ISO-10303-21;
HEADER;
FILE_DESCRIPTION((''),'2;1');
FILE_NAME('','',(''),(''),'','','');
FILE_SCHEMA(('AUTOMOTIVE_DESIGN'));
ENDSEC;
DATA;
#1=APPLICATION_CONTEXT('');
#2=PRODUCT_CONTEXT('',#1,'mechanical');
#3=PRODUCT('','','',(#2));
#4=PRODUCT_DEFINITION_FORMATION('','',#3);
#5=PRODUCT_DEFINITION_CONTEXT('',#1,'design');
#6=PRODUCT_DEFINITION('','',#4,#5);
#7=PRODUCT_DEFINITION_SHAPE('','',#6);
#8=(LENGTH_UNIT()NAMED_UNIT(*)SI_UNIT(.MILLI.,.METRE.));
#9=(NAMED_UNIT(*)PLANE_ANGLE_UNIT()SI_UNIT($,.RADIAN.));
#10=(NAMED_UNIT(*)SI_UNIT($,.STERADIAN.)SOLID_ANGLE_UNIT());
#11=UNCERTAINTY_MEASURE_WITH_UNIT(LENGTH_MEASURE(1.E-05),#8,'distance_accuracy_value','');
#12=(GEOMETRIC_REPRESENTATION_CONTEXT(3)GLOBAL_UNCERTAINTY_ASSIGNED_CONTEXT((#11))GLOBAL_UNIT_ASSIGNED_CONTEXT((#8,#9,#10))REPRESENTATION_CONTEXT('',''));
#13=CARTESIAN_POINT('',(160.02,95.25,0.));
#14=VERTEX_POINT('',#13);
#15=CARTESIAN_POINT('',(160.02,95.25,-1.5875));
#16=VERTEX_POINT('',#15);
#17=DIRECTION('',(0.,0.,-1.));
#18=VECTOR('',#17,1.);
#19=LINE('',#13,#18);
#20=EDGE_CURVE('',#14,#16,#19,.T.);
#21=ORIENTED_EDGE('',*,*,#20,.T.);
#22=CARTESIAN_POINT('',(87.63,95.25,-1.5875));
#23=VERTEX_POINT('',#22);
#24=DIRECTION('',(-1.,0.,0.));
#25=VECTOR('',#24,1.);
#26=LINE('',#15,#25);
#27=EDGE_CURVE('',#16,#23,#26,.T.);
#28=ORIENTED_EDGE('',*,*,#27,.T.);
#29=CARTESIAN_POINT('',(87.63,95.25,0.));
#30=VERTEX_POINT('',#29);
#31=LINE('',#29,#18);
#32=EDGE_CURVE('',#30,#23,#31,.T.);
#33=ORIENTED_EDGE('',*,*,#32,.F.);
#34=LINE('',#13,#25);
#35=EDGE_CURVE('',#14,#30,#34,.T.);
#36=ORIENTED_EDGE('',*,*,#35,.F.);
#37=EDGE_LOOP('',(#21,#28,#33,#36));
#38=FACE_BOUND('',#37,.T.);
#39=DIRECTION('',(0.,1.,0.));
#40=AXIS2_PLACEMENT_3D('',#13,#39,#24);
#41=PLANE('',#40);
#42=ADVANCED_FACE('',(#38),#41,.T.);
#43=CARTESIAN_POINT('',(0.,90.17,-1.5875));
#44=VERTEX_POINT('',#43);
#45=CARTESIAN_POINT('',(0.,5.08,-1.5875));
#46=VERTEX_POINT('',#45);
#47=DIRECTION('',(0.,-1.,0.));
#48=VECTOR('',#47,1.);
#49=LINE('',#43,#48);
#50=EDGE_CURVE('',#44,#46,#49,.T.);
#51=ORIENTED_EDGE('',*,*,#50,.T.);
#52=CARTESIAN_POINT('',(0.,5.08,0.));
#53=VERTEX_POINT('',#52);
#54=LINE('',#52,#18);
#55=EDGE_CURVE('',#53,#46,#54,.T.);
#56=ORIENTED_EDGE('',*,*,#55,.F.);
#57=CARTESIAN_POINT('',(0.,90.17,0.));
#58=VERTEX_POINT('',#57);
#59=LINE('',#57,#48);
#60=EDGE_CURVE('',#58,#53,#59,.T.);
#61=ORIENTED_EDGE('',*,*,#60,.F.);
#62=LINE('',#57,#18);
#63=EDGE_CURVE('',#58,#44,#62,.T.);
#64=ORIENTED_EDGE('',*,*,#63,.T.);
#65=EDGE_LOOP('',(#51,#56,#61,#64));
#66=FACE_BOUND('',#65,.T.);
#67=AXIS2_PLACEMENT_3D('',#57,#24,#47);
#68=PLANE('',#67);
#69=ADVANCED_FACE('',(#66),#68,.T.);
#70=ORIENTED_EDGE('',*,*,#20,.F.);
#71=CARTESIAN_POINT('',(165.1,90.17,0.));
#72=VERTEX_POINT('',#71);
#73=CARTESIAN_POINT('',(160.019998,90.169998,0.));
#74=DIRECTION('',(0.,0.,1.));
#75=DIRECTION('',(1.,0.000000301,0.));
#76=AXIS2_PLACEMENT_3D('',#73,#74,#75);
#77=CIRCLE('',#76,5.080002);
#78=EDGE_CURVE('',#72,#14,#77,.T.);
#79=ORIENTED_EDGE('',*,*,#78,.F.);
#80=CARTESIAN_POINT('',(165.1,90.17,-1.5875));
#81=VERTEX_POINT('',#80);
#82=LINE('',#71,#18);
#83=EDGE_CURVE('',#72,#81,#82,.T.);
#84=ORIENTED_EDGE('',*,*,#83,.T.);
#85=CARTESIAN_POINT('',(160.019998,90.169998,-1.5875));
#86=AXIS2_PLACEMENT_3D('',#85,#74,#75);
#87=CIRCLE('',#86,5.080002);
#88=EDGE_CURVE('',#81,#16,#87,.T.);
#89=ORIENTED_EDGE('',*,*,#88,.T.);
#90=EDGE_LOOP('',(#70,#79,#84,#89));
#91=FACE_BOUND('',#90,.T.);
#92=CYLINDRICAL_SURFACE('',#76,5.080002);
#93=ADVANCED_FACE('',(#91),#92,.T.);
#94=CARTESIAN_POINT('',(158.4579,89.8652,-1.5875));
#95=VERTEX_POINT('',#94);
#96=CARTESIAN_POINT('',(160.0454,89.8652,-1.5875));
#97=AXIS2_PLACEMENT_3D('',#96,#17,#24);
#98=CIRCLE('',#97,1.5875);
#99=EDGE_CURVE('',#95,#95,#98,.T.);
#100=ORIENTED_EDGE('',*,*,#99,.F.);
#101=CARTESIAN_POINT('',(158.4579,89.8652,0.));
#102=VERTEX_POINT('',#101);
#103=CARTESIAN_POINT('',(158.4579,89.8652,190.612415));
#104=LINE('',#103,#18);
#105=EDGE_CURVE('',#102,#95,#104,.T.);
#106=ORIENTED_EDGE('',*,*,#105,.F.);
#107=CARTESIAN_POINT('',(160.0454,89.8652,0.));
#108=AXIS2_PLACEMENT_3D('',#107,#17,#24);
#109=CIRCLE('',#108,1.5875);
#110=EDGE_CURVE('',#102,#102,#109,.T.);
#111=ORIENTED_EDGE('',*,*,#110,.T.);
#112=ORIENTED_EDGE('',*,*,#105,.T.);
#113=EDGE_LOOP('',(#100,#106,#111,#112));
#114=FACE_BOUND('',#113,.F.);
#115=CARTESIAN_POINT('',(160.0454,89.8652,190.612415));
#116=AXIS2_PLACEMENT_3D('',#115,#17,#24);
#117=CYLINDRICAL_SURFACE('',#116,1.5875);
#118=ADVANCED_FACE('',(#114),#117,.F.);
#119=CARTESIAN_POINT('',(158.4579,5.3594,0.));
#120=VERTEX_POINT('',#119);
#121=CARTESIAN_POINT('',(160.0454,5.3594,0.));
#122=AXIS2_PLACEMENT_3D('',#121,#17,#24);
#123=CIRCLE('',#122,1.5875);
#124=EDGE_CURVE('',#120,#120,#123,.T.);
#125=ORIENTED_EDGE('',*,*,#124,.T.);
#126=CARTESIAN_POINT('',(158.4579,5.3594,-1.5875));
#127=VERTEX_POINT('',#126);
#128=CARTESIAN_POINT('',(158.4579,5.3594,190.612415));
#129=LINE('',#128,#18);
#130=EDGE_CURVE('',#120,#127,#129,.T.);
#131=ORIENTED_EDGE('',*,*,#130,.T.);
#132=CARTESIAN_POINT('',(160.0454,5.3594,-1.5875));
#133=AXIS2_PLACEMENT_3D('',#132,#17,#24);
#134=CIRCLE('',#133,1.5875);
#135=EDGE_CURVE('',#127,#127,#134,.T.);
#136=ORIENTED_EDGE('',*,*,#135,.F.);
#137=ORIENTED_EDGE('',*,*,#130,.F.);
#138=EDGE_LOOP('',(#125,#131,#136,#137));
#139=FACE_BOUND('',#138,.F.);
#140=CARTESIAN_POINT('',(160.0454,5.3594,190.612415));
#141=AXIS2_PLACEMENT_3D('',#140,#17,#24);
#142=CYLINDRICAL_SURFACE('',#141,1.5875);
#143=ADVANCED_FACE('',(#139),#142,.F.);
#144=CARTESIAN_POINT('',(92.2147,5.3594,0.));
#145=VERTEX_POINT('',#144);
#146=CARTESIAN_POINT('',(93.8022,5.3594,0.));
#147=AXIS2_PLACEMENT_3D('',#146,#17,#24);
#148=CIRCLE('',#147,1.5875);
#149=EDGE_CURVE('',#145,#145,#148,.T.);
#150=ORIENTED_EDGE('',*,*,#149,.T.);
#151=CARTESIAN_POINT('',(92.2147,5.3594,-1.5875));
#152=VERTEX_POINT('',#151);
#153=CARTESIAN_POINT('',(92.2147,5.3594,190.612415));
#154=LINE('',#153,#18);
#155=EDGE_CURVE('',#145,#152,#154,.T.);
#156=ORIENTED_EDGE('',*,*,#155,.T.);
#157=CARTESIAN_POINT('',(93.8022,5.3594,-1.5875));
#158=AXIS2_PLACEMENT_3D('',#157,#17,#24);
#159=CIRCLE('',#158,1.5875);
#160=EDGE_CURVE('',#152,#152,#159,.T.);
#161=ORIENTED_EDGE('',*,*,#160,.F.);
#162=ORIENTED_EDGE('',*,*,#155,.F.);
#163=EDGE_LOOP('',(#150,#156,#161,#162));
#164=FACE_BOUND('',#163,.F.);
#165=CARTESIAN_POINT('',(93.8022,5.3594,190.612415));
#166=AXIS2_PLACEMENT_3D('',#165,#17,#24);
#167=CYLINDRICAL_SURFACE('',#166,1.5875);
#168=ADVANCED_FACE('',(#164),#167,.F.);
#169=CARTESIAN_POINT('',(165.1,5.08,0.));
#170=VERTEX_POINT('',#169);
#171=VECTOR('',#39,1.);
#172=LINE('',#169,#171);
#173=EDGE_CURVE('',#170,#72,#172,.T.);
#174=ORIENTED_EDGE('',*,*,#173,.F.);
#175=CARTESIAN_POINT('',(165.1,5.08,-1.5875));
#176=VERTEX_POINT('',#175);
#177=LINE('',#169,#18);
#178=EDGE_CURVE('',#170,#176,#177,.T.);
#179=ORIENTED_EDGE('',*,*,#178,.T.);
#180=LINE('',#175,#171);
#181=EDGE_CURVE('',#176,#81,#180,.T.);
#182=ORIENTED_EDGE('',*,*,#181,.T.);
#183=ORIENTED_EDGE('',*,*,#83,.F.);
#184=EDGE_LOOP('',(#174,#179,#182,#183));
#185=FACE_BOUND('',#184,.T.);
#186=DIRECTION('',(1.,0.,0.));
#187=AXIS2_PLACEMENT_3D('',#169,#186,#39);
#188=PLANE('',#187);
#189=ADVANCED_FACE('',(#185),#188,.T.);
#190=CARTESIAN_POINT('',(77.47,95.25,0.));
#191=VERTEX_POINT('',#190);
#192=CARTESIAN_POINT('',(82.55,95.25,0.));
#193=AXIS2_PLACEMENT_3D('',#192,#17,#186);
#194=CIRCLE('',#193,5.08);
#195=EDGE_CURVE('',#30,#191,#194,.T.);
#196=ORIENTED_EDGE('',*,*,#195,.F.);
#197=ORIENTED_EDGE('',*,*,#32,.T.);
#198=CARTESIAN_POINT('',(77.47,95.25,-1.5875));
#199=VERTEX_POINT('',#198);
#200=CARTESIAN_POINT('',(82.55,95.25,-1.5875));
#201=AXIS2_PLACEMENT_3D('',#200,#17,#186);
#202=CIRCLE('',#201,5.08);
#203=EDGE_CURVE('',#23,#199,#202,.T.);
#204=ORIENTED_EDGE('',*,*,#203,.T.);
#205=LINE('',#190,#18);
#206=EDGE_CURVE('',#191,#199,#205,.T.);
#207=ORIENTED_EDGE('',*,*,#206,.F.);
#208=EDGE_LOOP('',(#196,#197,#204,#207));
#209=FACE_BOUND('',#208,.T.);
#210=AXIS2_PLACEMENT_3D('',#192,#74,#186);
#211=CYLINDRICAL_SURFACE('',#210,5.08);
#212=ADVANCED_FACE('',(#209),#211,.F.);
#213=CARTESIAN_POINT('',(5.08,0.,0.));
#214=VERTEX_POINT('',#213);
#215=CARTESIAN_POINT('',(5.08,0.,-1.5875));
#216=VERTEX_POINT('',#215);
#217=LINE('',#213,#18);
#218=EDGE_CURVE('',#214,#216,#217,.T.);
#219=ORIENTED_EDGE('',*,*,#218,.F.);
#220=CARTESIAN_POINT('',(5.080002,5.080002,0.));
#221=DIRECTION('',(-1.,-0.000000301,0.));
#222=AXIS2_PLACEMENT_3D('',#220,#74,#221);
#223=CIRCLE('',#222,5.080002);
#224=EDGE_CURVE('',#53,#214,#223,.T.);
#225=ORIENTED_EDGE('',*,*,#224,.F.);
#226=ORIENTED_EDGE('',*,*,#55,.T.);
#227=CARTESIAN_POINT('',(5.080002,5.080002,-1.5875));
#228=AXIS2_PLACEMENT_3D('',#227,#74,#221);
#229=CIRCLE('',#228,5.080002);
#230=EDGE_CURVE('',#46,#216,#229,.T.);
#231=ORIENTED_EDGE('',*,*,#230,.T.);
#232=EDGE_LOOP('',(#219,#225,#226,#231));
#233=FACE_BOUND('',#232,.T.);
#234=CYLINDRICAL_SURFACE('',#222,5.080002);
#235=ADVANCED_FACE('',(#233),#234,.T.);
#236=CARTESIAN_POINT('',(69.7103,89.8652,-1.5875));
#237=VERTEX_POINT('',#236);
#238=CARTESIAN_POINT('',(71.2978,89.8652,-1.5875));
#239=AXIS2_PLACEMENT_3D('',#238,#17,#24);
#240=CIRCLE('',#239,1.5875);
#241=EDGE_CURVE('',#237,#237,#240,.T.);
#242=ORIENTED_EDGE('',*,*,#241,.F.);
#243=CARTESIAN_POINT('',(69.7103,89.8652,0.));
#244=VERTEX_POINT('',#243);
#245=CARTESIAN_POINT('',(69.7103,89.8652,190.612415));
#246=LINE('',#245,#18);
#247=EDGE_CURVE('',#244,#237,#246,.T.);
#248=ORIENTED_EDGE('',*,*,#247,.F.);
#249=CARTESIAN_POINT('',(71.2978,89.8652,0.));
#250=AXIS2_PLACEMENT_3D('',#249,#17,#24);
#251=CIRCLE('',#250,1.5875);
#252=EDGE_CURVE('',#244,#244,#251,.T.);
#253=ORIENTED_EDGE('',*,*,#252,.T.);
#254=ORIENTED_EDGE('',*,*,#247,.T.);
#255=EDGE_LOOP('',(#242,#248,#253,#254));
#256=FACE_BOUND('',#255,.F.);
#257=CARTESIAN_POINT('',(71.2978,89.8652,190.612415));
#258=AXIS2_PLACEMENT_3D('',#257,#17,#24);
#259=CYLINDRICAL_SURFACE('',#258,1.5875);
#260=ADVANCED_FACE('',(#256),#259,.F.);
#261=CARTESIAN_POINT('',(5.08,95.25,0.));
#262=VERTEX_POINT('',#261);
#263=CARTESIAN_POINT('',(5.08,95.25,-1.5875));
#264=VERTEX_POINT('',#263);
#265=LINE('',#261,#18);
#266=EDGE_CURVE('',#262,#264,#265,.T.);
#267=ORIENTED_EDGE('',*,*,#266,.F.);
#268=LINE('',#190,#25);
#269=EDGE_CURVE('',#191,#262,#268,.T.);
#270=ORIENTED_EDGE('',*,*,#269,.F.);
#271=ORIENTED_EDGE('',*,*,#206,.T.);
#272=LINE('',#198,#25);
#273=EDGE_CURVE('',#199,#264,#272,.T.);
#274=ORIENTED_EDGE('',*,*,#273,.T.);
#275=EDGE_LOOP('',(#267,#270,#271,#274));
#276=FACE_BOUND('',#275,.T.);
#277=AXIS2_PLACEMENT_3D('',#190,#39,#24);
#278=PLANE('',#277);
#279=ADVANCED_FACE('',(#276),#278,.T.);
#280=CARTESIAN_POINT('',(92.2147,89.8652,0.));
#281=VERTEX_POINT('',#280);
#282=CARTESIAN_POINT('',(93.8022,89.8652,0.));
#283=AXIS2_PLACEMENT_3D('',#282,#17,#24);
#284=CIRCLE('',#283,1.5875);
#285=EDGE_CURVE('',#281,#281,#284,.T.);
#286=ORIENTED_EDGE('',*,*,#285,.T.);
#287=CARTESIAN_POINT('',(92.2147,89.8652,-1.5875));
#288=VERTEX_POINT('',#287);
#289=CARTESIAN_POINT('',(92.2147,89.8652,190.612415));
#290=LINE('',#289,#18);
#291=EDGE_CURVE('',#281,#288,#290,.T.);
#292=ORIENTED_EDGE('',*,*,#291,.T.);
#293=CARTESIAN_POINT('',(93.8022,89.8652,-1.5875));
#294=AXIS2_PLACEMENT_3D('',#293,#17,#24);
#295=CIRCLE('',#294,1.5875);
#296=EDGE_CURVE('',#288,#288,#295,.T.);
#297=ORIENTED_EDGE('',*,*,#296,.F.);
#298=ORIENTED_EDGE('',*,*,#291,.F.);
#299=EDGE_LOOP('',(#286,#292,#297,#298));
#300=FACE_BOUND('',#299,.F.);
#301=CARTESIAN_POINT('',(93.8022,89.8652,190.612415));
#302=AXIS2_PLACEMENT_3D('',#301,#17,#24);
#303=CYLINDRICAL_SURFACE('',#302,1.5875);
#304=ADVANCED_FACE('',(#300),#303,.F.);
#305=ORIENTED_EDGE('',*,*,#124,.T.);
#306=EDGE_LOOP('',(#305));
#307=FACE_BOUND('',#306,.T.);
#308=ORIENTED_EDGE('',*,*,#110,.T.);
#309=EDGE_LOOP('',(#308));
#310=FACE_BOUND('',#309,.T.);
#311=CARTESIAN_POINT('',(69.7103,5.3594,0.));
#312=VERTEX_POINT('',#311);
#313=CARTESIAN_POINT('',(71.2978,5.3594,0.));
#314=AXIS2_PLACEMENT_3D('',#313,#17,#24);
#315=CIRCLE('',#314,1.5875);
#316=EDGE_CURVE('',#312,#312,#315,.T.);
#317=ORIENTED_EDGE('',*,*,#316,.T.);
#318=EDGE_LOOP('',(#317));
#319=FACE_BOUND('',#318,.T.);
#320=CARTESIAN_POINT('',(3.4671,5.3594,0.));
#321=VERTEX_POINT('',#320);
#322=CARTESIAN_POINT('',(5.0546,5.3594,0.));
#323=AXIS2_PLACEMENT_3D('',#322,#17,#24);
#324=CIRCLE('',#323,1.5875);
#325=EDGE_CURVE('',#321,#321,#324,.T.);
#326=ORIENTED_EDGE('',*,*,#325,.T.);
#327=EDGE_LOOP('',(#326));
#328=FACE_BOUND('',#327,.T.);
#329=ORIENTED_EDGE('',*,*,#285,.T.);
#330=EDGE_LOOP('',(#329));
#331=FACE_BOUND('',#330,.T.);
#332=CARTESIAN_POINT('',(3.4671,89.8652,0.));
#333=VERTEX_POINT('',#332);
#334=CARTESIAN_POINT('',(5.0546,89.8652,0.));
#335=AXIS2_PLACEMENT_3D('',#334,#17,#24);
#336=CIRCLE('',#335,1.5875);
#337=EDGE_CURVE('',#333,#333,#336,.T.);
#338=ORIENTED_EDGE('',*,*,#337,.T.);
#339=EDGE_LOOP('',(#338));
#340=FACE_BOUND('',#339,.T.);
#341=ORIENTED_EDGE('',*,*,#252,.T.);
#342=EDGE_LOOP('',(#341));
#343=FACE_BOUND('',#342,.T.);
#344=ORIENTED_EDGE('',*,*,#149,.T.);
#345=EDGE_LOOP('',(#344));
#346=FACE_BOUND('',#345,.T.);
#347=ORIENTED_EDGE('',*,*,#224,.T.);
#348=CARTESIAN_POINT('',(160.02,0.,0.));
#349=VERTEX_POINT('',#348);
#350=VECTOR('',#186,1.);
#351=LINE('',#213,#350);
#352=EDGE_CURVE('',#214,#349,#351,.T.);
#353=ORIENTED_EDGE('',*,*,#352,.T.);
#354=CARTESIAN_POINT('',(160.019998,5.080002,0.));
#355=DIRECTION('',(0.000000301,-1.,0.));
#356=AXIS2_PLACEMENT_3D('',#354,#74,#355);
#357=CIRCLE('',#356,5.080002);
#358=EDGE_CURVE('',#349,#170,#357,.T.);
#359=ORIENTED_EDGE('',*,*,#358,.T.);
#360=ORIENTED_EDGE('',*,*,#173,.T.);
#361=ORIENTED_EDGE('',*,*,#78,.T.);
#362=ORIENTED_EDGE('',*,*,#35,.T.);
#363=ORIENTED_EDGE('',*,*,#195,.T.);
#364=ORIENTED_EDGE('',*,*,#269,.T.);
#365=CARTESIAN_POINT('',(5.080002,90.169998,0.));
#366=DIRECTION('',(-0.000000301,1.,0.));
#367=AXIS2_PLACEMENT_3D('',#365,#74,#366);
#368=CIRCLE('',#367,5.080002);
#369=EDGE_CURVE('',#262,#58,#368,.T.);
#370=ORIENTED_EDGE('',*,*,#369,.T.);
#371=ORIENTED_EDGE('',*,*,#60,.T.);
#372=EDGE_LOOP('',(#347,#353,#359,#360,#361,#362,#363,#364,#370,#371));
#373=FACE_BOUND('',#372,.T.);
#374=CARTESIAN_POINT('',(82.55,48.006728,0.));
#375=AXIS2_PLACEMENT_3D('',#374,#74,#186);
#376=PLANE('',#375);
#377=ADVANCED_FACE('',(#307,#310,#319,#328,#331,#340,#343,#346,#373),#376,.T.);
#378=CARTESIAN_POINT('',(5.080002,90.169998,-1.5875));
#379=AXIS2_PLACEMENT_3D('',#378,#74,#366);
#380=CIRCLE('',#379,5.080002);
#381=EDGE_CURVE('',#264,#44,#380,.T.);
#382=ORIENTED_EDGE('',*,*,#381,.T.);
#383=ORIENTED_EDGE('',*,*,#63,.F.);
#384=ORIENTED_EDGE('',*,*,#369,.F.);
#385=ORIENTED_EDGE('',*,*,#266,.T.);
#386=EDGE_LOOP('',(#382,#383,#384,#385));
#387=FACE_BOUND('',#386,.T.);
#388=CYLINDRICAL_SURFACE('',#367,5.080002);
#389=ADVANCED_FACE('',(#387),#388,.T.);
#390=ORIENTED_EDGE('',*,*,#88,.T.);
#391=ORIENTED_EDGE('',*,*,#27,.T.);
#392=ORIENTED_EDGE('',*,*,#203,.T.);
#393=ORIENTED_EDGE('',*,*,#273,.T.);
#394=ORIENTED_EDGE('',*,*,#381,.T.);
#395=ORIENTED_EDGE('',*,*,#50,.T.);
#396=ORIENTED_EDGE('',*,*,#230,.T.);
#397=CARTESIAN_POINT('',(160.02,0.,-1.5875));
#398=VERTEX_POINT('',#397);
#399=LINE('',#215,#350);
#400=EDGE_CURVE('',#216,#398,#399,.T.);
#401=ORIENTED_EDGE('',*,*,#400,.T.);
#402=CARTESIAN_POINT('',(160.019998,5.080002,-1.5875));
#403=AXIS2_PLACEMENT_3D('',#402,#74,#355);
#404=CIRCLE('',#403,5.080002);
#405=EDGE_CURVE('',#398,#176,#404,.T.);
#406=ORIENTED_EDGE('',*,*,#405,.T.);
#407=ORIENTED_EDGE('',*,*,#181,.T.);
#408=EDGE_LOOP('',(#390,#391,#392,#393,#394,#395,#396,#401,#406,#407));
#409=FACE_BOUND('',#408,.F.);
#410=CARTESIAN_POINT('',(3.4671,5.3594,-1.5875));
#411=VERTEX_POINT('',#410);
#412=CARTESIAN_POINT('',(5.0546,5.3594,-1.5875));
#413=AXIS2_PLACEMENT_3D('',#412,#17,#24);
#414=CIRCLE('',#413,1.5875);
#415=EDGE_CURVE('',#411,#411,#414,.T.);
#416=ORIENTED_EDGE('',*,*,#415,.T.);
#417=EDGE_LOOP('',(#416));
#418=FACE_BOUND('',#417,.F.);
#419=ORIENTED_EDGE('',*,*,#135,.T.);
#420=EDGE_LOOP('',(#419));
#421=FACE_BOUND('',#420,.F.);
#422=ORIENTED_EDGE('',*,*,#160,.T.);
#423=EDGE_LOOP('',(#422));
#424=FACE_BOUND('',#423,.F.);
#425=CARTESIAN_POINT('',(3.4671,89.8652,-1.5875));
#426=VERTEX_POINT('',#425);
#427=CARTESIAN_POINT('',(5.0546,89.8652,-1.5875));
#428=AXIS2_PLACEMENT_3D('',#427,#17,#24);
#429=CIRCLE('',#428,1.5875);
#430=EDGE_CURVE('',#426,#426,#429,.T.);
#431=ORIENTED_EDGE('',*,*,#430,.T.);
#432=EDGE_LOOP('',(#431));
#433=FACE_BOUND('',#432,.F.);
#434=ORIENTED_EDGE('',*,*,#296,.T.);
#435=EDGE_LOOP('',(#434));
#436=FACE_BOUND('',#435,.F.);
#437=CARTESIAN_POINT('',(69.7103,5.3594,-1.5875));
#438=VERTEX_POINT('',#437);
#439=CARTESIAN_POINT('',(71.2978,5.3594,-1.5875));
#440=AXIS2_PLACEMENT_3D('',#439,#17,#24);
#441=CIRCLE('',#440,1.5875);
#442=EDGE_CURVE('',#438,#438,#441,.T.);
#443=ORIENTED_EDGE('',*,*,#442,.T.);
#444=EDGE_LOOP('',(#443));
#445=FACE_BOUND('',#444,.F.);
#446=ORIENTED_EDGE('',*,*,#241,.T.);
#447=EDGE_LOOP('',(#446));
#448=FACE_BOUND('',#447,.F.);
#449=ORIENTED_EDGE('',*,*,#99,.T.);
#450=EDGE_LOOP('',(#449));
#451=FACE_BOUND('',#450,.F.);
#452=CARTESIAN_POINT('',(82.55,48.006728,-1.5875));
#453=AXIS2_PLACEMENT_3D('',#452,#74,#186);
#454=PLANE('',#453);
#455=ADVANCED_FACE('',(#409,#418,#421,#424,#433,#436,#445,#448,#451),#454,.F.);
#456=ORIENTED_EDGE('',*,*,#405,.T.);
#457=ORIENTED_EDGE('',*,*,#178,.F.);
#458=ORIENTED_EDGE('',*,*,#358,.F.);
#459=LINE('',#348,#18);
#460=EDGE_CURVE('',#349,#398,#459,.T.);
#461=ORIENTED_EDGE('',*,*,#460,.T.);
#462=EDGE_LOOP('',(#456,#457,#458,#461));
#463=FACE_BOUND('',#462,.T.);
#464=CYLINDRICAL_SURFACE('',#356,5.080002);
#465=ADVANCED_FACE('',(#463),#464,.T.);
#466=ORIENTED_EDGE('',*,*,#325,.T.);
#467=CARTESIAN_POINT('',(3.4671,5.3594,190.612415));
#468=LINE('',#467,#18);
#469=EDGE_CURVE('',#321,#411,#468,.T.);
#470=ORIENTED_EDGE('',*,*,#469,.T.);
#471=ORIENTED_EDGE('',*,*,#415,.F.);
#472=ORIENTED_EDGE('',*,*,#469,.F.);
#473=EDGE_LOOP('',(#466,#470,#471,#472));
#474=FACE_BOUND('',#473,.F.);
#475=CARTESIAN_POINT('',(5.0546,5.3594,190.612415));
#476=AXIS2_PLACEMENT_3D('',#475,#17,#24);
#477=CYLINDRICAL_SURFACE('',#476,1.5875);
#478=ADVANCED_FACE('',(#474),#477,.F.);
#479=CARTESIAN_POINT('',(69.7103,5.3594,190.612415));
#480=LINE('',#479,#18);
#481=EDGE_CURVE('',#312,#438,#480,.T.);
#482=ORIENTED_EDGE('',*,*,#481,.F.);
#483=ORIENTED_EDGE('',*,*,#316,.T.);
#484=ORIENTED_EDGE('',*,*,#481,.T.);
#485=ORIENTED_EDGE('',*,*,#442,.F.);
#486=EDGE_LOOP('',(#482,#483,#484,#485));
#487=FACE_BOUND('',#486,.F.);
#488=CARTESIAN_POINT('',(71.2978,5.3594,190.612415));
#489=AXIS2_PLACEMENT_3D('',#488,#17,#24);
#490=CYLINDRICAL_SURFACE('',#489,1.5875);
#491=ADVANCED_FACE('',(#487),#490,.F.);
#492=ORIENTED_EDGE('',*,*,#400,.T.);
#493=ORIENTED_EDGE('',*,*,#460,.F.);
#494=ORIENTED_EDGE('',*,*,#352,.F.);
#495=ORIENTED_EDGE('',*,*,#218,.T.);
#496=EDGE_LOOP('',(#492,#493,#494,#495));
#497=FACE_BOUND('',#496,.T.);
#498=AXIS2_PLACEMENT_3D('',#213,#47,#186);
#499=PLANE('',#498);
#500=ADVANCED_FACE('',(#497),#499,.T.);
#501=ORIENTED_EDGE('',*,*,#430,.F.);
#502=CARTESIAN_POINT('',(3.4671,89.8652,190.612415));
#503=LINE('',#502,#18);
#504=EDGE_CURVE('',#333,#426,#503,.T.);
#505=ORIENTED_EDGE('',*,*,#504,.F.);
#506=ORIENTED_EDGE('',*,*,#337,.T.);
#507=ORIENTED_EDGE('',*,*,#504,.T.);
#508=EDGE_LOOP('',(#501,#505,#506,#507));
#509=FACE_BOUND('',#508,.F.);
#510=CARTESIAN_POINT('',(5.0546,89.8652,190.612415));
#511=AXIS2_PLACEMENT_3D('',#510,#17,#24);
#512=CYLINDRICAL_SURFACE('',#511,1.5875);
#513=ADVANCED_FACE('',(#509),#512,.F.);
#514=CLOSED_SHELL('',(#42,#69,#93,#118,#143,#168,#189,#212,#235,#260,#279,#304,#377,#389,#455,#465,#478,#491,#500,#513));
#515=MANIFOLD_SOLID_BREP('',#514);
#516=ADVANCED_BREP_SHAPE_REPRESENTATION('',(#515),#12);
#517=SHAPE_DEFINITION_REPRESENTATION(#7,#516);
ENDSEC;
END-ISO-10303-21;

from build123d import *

# Parameters (mm, degrees)
F1_DEPTH = 1.5875
F2_D     = 3.175


with BuildPart() as f1:
    # F0 (on Top) → F1 (new body)
    with BuildSketch(Plane.XY):
        with BuildLine():
            ThreePointArc((0, 5.08), (1.487898, 1.487898), (5.08, 0))
            Line((5.08, 0), (160.02, 0))
            ThreePointArc((160.02, 0), (163.612102, 1.487898), (165.1, 5.08))
            Line((165.1, 5.08), (165.1, 90.17))
            ThreePointArc((165.1, 90.17), (163.612102, 93.762102), (160.02, 95.25))
            Line((160.02, 95.25), (87.63, 95.25))
            ThreePointArc((87.63, 95.25), (82.55, 90.17), (77.47, 95.25))
            Line((77.47, 95.25), (5.08, 95.25))
            ThreePointArc((5.08, 95.25), (1.487898, 93.762102), (0, 90.17))
            Line((0, 90.17), (0, 5.08))
        make_face()
    extrude(amount=-F1_DEPTH)

    # F2 (through all)
    with Locations(Plane.XY):
        with Locations((5.0546, 5.3594), (71.2978, 5.3594), (93.8022, 5.3594), (160.0454, 5.3594), (160.0454, 89.8652), (93.8022, 89.8652), (71.2978, 89.8652), (5.0546, 89.8652)):
            Hole(F2_D / 2)


solid = f1.part
